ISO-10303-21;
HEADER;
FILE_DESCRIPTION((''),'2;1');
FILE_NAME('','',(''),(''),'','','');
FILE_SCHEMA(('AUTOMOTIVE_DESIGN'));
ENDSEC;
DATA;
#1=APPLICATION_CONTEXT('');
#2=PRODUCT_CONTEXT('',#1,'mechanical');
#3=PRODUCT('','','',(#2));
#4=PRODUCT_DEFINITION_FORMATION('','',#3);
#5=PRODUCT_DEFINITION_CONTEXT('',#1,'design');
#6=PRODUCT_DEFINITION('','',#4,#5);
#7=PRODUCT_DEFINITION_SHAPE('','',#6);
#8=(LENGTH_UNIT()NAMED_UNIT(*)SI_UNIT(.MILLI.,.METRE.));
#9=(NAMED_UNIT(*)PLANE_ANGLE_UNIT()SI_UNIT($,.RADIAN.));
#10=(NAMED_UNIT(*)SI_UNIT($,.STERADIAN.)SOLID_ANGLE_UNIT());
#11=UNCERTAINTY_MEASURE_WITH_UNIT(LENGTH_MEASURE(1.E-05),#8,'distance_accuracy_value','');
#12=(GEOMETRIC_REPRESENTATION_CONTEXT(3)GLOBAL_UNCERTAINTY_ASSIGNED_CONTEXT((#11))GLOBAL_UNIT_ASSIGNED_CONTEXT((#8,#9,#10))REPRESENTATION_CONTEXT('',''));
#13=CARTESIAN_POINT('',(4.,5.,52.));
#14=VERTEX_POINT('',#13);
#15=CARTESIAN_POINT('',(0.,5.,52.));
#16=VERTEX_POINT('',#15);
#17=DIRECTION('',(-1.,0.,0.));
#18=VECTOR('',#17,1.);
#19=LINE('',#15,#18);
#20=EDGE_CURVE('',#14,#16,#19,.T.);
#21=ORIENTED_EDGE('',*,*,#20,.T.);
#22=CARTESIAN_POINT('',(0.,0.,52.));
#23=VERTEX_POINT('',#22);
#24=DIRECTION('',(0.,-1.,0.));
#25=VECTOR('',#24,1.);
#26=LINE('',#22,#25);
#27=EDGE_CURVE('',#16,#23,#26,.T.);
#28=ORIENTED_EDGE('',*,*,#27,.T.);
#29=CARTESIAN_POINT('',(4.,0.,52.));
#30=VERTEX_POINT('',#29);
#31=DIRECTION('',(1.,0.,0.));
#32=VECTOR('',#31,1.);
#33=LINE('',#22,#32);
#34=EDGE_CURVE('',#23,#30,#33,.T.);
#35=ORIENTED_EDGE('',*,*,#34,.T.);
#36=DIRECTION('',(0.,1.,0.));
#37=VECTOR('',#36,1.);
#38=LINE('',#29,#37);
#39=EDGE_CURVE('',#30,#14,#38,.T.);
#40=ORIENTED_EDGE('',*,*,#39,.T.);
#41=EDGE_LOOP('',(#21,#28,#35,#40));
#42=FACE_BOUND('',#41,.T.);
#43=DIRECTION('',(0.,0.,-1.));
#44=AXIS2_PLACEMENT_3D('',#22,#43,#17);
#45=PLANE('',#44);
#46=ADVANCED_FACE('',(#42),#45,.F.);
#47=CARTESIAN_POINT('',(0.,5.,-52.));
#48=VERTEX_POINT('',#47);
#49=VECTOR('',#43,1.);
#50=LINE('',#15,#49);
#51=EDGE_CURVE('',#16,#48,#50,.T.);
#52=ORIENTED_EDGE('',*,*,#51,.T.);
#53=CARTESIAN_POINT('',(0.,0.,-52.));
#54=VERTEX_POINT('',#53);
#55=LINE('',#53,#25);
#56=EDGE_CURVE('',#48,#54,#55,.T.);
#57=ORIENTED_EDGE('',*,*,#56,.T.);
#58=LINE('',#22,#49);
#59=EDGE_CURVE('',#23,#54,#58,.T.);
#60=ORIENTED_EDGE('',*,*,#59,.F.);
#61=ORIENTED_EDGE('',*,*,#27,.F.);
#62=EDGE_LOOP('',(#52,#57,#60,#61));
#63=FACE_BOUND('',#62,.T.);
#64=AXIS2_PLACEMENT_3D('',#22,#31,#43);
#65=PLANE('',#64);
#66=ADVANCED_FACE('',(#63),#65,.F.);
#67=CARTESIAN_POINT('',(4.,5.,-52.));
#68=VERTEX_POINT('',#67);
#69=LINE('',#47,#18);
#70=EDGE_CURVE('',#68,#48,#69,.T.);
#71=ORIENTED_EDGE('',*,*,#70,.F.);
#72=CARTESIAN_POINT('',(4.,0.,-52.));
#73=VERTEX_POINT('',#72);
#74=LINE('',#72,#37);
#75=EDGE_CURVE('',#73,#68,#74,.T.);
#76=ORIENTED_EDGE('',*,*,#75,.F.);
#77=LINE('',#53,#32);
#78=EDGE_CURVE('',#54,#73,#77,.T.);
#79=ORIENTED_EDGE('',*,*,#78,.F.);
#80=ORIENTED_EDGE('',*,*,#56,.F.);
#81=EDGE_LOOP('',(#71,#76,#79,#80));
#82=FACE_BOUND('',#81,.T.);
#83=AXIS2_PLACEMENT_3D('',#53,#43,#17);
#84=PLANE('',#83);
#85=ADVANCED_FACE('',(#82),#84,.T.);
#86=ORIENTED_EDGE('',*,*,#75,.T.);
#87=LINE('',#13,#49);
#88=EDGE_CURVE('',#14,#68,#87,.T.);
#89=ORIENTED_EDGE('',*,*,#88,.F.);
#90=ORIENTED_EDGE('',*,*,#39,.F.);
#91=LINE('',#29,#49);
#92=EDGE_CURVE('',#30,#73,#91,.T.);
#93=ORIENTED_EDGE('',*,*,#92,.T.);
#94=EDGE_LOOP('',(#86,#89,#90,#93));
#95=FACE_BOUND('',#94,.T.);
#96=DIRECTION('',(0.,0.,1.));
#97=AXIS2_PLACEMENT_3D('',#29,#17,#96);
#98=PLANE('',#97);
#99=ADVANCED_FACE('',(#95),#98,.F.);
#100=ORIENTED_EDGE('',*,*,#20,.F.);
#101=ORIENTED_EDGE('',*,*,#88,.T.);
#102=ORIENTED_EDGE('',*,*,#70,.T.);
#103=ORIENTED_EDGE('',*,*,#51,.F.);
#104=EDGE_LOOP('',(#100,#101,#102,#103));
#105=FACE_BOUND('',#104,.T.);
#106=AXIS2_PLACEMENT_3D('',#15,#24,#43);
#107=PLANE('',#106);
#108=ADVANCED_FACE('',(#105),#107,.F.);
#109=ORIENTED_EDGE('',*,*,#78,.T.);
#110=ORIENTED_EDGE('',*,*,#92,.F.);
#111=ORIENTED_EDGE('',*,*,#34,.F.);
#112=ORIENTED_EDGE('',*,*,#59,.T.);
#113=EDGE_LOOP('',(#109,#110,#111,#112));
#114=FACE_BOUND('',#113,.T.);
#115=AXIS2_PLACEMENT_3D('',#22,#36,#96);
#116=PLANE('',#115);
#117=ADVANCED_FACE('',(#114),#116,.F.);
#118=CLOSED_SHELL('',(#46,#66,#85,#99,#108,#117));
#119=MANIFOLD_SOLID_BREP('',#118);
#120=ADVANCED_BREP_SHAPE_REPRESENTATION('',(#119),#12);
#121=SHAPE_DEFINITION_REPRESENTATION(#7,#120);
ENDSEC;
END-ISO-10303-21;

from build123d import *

# Parameters (mm, degrees)
SKETCH_1_W      = 4
SKETCH_1_H      = 5
EXTRUDE_1_DEPTH = 52


with BuildPart() as part:
    # 草图1 → 凸台-拉伸1 (new, symmetric)
    with BuildSketch(Plane.XY):
        with Locations((2, 2.5)):
            Rectangle(SKETCH_1_W, SKETCH_1_H)
    extrude(amount=EXTRUDE_1_DEPTH, both=True)


solid = part.part
